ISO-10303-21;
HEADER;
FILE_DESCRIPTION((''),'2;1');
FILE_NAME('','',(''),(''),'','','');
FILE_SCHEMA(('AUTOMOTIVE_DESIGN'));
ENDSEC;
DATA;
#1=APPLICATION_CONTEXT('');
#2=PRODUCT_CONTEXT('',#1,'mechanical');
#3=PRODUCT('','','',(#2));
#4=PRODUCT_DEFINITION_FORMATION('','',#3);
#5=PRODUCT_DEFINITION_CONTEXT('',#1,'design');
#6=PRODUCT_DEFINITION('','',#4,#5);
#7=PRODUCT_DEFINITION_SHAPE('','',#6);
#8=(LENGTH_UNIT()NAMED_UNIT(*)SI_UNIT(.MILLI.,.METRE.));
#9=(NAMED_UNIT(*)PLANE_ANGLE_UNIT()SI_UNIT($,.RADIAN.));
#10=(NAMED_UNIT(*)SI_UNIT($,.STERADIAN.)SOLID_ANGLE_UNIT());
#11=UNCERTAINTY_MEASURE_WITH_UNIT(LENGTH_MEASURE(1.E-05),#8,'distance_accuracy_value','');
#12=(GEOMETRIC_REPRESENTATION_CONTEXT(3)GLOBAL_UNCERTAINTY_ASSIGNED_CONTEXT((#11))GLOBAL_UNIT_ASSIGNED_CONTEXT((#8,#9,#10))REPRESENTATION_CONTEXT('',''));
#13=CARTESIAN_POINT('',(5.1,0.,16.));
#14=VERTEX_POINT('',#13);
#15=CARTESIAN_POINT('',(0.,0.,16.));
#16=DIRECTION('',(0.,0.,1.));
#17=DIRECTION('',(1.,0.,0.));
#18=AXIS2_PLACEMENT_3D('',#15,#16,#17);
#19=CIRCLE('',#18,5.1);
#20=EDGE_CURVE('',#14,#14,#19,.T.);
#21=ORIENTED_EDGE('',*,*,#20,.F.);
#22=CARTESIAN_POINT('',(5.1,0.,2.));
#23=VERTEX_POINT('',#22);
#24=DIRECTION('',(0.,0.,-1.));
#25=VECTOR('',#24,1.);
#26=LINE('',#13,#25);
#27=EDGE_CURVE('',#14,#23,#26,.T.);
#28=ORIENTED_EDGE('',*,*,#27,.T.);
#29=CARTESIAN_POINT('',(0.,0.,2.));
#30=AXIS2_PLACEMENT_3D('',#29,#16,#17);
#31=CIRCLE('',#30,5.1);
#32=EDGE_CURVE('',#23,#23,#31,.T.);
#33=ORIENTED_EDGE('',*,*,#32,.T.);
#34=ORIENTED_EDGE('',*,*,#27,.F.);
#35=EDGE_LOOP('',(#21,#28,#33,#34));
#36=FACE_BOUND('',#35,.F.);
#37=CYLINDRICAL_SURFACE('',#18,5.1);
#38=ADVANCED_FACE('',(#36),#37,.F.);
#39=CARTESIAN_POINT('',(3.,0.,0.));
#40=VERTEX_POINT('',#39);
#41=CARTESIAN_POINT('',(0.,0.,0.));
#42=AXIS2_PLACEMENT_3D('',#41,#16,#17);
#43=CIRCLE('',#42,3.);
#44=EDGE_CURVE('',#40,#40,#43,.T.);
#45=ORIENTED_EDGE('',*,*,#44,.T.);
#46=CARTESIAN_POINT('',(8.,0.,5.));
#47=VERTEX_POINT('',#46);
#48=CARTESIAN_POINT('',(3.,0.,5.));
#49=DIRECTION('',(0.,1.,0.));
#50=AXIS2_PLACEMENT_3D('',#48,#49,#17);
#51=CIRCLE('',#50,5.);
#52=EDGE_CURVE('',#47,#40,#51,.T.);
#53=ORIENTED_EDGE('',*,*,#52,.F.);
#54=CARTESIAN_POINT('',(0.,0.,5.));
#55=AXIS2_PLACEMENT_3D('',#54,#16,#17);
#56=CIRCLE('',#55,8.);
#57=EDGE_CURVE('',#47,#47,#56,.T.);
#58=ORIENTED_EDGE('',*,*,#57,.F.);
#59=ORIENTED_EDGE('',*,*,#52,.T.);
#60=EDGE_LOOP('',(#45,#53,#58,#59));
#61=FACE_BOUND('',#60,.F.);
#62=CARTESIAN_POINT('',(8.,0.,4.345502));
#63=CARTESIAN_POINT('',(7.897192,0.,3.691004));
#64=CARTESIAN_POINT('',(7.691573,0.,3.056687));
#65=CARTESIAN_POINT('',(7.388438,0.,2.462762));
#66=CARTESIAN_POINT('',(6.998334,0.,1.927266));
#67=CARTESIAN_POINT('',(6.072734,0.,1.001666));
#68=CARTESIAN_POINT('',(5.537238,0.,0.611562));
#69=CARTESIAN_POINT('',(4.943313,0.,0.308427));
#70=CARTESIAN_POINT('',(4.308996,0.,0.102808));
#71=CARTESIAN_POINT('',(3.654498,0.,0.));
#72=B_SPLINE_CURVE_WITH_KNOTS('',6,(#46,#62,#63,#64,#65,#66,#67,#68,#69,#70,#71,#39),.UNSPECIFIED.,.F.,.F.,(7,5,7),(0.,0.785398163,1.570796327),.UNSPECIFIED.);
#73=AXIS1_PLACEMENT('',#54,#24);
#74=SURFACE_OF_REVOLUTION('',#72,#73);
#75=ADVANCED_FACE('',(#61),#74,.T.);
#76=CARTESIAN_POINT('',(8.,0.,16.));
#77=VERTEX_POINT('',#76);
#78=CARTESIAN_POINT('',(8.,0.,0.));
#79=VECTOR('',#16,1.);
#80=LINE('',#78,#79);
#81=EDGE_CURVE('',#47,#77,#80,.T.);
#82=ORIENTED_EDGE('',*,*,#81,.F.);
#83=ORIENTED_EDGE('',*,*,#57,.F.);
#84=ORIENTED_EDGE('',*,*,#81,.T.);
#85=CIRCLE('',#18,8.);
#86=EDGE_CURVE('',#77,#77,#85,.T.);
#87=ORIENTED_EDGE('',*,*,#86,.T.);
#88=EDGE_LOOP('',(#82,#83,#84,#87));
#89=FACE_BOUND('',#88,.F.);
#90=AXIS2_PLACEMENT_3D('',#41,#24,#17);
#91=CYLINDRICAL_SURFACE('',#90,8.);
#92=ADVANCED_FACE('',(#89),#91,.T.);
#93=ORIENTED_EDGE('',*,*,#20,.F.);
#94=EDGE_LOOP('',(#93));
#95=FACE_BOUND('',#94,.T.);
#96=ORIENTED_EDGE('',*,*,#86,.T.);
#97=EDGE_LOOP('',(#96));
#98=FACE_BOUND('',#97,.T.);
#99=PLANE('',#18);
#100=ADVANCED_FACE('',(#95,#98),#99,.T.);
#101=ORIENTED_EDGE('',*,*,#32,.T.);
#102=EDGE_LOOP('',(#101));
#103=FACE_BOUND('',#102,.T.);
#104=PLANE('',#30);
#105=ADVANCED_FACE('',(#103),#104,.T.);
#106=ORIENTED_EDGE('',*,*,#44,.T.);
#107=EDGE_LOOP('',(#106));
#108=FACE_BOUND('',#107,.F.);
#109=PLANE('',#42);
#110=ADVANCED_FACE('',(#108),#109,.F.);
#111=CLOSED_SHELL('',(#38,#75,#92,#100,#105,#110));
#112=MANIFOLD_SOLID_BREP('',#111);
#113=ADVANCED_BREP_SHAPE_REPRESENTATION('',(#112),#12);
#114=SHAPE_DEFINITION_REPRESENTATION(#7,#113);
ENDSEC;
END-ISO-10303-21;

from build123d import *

# Parameters (mm, degrees)
F0_R     = 8
F1_DEPTH = 16
F2_R     = 5.1
F3_DEPTH = 14
F4_R     = 5


with BuildPart() as f1:
    # F0 (on Top) → F1 (new body)
    with BuildSketch(Plane.XY):
        Circle(F0_R)
    extrude(amount=F1_DEPTH)

    # F2 (on face) → F3 (cut)
    with BuildSketch(Plane.XY.offset(16)):
        Circle(F2_R)
    extrude(amount=-F3_DEPTH, mode=Mode.SUBTRACT)

    # F4
    f4_edges = [f1.edges().sort_by_distance(p)[0] for p in [
        (-8, 0, 0),
    ]]
    fillet(f4_edges, radius=F4_R)


solid = f1.part
